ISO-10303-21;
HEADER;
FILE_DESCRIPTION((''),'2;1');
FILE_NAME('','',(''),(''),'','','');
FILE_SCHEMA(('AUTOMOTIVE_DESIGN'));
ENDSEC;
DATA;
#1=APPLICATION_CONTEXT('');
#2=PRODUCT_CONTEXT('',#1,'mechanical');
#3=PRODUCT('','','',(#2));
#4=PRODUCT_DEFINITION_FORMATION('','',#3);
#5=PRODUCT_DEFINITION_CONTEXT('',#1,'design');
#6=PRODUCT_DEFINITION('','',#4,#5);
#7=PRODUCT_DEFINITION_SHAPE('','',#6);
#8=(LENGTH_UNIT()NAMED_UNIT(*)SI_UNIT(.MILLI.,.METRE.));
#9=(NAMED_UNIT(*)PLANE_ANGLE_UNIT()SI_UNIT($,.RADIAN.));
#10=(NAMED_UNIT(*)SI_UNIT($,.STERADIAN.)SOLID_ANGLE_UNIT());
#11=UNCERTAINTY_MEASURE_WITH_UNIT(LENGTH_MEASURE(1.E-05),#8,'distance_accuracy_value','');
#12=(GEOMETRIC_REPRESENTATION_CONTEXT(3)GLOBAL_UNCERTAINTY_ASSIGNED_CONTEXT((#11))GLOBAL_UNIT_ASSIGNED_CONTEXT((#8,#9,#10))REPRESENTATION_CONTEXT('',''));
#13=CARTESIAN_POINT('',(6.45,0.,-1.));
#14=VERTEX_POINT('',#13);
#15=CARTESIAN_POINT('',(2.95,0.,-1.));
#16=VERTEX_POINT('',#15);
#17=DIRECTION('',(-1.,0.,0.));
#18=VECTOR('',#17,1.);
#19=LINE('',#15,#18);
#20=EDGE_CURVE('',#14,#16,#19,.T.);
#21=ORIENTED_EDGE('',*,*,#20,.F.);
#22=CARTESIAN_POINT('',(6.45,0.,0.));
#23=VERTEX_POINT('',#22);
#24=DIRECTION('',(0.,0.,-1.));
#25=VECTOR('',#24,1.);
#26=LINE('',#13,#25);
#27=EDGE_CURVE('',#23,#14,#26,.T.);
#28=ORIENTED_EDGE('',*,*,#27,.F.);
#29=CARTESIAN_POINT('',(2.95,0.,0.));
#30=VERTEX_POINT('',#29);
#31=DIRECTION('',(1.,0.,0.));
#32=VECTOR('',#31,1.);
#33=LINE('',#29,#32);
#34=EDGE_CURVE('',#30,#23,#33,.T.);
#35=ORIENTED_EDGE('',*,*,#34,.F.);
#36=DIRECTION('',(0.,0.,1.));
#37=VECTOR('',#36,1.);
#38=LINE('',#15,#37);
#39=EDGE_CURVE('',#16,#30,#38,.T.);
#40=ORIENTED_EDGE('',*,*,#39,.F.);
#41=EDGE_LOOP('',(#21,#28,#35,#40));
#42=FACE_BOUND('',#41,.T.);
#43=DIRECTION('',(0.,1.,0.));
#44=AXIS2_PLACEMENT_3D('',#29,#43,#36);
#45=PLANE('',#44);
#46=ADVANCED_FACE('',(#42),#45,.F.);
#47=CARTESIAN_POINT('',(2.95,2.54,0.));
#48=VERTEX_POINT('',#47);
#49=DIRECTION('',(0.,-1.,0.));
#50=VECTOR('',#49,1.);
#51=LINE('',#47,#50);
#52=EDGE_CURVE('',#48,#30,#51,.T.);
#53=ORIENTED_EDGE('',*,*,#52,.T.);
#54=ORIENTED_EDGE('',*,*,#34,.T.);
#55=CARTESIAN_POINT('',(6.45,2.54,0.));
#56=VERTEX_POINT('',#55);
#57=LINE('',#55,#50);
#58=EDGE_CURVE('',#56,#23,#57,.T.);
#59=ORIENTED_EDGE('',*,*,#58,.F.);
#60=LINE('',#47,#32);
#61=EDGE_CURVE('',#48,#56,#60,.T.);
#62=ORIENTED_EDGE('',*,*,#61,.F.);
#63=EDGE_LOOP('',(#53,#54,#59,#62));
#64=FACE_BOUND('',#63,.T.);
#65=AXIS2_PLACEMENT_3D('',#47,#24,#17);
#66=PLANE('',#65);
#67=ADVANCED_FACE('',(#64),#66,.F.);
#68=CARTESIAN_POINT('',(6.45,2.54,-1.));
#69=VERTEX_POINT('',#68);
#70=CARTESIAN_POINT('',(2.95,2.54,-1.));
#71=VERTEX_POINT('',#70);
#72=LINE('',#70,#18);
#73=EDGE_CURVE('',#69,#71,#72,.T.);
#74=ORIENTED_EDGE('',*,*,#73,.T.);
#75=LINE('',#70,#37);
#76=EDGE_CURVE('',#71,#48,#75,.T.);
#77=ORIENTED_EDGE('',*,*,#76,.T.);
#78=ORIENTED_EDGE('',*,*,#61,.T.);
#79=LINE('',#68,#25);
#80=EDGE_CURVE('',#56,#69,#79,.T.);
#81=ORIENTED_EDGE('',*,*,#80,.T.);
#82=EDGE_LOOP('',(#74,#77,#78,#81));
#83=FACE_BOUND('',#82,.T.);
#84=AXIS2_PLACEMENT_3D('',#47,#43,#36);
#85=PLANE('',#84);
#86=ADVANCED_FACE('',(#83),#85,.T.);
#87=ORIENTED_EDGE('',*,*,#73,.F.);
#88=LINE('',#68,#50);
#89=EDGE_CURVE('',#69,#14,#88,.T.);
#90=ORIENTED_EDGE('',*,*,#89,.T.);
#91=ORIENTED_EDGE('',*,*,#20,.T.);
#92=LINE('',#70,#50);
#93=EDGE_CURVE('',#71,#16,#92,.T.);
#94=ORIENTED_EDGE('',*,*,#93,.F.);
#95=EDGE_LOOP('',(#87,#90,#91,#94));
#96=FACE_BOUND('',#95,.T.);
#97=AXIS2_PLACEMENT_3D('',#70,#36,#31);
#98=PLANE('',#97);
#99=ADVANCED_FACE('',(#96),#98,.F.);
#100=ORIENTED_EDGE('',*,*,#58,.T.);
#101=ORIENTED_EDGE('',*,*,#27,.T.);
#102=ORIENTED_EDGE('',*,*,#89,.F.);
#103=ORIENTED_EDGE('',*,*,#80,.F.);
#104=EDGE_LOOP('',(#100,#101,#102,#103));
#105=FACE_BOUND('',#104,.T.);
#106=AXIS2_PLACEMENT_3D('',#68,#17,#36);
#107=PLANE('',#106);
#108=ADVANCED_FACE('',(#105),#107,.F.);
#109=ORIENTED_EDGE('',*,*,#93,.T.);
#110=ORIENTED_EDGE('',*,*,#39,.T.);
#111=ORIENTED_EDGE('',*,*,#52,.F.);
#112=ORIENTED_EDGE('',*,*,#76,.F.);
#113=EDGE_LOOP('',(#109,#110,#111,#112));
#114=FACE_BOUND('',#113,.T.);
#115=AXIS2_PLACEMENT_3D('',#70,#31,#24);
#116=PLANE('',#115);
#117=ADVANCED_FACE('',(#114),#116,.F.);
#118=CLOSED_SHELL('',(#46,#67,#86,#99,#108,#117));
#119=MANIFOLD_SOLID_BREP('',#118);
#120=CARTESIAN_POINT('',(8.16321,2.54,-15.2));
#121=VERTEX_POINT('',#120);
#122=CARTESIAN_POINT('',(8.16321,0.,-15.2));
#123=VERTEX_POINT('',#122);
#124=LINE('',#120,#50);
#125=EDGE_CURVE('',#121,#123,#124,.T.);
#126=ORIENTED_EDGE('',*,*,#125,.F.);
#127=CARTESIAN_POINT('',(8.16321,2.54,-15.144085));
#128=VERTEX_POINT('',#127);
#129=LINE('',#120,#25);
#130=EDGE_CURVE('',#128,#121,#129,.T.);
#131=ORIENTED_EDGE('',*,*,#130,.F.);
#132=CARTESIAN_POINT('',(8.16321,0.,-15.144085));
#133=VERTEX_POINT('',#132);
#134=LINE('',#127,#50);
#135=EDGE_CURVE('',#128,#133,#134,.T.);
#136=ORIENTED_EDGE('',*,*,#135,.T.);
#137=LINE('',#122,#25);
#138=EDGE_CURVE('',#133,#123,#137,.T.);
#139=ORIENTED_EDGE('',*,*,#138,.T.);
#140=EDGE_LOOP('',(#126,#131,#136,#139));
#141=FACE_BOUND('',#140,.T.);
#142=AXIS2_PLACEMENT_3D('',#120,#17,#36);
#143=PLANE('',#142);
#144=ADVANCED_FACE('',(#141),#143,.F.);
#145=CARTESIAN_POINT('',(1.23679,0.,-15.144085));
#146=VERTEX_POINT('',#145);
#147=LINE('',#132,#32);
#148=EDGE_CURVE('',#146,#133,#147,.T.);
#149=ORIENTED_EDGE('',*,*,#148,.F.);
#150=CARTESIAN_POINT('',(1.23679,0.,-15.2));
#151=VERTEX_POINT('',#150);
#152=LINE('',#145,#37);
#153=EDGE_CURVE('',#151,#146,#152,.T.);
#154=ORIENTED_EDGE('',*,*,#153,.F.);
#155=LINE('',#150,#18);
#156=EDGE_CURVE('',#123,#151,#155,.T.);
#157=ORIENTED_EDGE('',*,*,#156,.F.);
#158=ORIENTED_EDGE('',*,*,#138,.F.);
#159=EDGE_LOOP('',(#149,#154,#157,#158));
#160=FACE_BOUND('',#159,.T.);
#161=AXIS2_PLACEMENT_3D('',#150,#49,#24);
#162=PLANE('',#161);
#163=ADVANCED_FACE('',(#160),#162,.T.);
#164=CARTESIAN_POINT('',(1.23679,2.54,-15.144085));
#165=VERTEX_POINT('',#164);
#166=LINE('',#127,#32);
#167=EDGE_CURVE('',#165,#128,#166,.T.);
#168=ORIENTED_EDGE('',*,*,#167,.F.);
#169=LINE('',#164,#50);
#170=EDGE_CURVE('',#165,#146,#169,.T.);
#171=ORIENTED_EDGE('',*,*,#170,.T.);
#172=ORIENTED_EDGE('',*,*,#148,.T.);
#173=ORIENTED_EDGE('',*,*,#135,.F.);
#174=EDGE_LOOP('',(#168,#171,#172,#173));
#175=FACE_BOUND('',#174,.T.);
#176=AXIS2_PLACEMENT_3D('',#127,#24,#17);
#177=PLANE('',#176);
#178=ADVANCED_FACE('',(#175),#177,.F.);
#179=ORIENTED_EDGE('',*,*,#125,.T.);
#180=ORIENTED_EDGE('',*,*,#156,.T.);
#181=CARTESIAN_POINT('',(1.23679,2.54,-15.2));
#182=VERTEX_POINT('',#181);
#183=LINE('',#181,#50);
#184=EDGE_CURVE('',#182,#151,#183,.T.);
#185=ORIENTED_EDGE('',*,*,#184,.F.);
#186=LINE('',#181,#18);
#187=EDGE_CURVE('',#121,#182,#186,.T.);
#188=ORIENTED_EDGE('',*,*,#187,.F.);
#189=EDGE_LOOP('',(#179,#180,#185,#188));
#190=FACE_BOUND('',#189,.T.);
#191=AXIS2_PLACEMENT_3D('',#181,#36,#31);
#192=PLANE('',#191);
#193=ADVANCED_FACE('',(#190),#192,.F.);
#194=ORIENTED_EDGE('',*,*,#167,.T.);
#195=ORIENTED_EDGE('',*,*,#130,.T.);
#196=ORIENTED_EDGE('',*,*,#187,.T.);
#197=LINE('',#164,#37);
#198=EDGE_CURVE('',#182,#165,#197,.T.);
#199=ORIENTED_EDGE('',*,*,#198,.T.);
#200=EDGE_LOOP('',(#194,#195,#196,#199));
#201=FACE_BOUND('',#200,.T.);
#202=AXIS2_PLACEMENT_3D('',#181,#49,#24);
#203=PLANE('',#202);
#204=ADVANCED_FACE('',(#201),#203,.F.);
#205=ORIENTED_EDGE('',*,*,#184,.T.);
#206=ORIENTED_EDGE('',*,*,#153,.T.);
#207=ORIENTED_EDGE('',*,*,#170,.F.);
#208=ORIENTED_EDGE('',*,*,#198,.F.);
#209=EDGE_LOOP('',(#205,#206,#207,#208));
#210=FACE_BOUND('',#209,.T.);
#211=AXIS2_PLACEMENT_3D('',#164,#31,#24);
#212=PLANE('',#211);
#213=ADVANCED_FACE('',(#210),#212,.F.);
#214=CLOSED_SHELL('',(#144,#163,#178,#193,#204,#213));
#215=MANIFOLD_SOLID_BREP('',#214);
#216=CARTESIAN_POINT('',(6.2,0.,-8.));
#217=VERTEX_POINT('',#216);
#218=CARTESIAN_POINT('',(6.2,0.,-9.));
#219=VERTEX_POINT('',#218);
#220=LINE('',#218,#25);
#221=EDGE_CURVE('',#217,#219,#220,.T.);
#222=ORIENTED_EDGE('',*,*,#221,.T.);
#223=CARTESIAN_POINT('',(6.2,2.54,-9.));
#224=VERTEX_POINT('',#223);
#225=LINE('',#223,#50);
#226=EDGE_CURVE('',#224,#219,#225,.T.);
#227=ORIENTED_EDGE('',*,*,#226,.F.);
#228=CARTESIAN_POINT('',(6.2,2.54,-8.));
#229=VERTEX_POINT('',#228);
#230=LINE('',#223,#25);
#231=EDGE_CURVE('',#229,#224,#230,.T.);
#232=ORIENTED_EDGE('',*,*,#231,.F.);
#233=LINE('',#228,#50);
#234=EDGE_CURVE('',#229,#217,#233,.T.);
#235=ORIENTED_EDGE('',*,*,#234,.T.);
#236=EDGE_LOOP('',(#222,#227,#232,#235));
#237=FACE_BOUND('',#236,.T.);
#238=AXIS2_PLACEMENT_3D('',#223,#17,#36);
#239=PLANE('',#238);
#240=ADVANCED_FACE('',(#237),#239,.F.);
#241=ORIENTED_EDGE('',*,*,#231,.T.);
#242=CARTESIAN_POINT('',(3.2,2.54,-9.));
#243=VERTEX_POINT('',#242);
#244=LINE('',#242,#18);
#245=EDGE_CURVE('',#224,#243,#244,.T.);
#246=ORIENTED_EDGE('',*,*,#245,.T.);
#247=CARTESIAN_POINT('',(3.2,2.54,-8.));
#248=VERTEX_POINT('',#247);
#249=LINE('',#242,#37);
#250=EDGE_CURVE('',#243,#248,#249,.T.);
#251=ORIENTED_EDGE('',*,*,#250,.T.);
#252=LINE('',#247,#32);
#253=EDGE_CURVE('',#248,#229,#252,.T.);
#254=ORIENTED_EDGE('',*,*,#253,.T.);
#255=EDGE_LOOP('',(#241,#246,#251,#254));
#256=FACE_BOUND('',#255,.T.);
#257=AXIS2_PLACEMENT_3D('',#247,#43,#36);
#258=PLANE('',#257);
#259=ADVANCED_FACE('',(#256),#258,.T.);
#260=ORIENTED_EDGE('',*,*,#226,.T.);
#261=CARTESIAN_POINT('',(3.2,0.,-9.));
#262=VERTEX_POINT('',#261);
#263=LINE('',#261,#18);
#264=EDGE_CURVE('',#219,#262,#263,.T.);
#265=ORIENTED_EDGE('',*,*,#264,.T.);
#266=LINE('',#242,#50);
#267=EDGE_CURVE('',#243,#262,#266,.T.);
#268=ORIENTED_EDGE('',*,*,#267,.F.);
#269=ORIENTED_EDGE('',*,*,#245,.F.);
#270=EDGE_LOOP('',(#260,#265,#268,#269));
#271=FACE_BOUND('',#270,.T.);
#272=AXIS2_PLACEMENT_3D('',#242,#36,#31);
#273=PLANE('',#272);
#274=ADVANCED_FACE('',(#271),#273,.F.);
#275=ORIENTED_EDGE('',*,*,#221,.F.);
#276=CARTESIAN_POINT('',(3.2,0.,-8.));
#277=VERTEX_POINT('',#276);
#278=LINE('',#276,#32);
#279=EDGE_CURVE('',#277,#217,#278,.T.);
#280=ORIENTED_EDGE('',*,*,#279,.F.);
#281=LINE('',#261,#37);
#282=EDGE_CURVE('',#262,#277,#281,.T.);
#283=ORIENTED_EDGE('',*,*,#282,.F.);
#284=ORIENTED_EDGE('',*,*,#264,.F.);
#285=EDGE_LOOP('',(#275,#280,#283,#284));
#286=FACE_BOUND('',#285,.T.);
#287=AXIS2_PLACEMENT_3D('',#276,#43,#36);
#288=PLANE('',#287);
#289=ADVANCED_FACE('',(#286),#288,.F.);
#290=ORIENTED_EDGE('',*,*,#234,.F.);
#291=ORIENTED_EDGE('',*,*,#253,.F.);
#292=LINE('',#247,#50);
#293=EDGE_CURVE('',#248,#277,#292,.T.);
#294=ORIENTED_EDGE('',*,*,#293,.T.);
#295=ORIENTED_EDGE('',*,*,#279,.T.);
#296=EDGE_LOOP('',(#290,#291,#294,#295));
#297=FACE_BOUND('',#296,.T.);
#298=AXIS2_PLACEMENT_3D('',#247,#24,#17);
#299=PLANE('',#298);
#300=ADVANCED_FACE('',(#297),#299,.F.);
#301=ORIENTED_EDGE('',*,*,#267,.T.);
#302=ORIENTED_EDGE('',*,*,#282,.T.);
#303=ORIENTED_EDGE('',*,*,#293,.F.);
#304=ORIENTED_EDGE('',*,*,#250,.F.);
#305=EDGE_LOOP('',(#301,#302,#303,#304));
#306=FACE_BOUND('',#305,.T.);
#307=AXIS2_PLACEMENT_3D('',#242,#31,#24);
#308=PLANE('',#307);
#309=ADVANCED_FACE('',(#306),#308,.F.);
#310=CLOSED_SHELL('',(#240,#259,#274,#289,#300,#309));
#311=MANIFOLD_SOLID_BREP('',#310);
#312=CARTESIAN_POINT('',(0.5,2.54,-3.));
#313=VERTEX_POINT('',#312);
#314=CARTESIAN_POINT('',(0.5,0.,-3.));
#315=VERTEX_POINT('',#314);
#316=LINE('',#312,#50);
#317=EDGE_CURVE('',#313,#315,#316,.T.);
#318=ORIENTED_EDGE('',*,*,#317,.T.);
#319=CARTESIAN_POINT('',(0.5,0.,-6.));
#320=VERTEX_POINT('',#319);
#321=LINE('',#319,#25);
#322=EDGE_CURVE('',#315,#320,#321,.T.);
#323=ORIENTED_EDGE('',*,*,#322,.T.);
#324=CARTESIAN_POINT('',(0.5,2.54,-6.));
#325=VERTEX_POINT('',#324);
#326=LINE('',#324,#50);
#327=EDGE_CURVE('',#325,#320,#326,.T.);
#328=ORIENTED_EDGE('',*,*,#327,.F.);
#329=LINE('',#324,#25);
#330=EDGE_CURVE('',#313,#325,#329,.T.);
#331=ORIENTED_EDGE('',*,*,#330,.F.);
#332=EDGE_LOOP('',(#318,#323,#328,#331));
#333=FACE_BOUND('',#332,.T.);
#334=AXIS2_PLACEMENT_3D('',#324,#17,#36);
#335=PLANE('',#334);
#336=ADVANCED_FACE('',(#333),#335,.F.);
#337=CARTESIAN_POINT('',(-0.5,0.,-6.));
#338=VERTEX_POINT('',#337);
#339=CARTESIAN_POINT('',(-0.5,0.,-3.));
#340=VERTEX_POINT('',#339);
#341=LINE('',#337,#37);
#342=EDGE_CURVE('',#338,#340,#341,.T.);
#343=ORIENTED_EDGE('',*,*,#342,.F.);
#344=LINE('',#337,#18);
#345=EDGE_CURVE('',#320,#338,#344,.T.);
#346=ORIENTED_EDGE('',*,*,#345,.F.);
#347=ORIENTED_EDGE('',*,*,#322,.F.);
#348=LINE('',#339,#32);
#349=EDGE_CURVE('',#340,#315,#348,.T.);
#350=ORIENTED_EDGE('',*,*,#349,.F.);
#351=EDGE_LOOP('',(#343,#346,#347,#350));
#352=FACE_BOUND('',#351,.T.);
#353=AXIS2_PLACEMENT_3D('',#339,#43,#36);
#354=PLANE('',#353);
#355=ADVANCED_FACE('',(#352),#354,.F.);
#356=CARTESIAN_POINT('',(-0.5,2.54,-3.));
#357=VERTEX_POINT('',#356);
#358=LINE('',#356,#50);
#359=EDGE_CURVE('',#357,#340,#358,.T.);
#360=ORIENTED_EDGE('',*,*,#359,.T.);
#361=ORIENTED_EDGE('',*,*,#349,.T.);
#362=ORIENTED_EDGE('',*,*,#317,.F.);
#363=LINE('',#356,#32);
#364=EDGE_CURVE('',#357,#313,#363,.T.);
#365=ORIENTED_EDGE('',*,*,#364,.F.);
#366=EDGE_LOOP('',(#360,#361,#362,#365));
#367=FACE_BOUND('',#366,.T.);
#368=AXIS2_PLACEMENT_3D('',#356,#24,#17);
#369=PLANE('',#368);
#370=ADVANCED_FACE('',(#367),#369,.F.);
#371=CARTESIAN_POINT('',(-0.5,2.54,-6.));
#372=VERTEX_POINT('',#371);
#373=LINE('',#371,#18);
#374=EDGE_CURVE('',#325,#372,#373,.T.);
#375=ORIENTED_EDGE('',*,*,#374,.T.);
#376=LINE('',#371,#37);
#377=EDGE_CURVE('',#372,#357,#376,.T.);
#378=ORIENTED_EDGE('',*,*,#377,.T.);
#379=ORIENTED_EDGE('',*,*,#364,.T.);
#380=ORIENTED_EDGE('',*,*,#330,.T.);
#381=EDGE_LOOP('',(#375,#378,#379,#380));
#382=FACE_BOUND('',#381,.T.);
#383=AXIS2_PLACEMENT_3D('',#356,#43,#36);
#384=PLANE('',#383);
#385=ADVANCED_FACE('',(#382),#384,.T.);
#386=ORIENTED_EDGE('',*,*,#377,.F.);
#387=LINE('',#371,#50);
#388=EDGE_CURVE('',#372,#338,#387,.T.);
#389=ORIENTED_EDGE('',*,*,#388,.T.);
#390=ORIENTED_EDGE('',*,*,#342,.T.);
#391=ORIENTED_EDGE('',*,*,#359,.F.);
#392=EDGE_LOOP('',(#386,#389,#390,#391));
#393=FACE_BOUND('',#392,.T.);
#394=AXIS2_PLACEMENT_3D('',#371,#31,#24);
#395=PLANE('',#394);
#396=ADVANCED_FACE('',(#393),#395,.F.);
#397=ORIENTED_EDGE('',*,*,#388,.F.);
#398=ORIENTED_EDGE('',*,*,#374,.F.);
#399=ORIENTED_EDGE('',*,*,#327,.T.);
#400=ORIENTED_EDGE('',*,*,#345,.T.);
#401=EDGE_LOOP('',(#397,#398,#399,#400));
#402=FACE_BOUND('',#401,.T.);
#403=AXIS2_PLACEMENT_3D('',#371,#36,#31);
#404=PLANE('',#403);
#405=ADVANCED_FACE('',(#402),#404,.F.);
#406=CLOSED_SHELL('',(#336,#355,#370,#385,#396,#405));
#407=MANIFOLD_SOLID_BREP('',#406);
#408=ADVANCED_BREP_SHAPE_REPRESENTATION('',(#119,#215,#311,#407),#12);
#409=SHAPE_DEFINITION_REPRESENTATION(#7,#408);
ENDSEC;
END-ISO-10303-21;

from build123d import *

# Parameters (mm, degrees)
SKETCH1_W             = 3.5
SKETCH1_H             = 1
BOSS_EXTRUDE1_DEPTH   = 2.54
SKETCH1_W_2           = 1
SKETCH1_H_2           = 3
BOSS_EXTRUDE1_2_DEPTH = 2.54
SKETCH1_W_3           = 3
BOSS_EXTRUDE1_3_DEPTH = 2.54
SKETCH1_W_4           = 6.926419092
SKETCH1_H_3           = 0.055914878
BOSS_EXTRUDE1_4_DEPTH = 2.54


with BuildPart() as part:
    # Sketch1 → Boss-Extrude1 (new body)
    with BuildSketch(Plane(origin=(0, 0, 0), x_dir=(1, 0, 0), z_dir=(0, 1, 0))):
        with Locations((4.7, 0.5)):
            Rectangle(SKETCH1_W, SKETCH1_H)
    extrude(amount=BOSS_EXTRUDE1_DEPTH)


with BuildPart() as body_2:
    # Sketch1 → Boss-Extrude1 2 (new body)
    with BuildSketch(Plane(origin=(0, 0, 0), x_dir=(1, 0, 0), z_dir=(0, 1, 0))):
        with Locations((0, 4.5)):
            Rectangle(SKETCH1_W_2, SKETCH1_H_2)
    extrude(amount=BOSS_EXTRUDE1_2_DEPTH)


with BuildPart() as body_3:
    # Sketch1 → Boss-Extrude1 3 (new body)
    with BuildSketch(Plane(origin=(0, 0, 0), x_dir=(1, 0, 0), z_dir=(0, 1, 0))):
        with Locations((4.7, 8.5)):
            Rectangle(SKETCH1_W_3, SKETCH1_H)
    extrude(amount=BOSS_EXTRUDE1_3_DEPTH)


with BuildPart() as body_4:
    # Sketch1 → Boss-Extrude1 4 (new body)
    with BuildSketch(Plane(origin=(0, 0, 0), x_dir=(1, 0, 0), z_dir=(0, 1, 0))):
        with Locations((4.7, 15.172042561)):
            Rectangle(SKETCH1_W_4, SKETCH1_H_3)
    extrude(amount=BOSS_EXTRUDE1_4_DEPTH)


solid = Compound([part.part, body_2.part, body_3.part, body_4.part])
